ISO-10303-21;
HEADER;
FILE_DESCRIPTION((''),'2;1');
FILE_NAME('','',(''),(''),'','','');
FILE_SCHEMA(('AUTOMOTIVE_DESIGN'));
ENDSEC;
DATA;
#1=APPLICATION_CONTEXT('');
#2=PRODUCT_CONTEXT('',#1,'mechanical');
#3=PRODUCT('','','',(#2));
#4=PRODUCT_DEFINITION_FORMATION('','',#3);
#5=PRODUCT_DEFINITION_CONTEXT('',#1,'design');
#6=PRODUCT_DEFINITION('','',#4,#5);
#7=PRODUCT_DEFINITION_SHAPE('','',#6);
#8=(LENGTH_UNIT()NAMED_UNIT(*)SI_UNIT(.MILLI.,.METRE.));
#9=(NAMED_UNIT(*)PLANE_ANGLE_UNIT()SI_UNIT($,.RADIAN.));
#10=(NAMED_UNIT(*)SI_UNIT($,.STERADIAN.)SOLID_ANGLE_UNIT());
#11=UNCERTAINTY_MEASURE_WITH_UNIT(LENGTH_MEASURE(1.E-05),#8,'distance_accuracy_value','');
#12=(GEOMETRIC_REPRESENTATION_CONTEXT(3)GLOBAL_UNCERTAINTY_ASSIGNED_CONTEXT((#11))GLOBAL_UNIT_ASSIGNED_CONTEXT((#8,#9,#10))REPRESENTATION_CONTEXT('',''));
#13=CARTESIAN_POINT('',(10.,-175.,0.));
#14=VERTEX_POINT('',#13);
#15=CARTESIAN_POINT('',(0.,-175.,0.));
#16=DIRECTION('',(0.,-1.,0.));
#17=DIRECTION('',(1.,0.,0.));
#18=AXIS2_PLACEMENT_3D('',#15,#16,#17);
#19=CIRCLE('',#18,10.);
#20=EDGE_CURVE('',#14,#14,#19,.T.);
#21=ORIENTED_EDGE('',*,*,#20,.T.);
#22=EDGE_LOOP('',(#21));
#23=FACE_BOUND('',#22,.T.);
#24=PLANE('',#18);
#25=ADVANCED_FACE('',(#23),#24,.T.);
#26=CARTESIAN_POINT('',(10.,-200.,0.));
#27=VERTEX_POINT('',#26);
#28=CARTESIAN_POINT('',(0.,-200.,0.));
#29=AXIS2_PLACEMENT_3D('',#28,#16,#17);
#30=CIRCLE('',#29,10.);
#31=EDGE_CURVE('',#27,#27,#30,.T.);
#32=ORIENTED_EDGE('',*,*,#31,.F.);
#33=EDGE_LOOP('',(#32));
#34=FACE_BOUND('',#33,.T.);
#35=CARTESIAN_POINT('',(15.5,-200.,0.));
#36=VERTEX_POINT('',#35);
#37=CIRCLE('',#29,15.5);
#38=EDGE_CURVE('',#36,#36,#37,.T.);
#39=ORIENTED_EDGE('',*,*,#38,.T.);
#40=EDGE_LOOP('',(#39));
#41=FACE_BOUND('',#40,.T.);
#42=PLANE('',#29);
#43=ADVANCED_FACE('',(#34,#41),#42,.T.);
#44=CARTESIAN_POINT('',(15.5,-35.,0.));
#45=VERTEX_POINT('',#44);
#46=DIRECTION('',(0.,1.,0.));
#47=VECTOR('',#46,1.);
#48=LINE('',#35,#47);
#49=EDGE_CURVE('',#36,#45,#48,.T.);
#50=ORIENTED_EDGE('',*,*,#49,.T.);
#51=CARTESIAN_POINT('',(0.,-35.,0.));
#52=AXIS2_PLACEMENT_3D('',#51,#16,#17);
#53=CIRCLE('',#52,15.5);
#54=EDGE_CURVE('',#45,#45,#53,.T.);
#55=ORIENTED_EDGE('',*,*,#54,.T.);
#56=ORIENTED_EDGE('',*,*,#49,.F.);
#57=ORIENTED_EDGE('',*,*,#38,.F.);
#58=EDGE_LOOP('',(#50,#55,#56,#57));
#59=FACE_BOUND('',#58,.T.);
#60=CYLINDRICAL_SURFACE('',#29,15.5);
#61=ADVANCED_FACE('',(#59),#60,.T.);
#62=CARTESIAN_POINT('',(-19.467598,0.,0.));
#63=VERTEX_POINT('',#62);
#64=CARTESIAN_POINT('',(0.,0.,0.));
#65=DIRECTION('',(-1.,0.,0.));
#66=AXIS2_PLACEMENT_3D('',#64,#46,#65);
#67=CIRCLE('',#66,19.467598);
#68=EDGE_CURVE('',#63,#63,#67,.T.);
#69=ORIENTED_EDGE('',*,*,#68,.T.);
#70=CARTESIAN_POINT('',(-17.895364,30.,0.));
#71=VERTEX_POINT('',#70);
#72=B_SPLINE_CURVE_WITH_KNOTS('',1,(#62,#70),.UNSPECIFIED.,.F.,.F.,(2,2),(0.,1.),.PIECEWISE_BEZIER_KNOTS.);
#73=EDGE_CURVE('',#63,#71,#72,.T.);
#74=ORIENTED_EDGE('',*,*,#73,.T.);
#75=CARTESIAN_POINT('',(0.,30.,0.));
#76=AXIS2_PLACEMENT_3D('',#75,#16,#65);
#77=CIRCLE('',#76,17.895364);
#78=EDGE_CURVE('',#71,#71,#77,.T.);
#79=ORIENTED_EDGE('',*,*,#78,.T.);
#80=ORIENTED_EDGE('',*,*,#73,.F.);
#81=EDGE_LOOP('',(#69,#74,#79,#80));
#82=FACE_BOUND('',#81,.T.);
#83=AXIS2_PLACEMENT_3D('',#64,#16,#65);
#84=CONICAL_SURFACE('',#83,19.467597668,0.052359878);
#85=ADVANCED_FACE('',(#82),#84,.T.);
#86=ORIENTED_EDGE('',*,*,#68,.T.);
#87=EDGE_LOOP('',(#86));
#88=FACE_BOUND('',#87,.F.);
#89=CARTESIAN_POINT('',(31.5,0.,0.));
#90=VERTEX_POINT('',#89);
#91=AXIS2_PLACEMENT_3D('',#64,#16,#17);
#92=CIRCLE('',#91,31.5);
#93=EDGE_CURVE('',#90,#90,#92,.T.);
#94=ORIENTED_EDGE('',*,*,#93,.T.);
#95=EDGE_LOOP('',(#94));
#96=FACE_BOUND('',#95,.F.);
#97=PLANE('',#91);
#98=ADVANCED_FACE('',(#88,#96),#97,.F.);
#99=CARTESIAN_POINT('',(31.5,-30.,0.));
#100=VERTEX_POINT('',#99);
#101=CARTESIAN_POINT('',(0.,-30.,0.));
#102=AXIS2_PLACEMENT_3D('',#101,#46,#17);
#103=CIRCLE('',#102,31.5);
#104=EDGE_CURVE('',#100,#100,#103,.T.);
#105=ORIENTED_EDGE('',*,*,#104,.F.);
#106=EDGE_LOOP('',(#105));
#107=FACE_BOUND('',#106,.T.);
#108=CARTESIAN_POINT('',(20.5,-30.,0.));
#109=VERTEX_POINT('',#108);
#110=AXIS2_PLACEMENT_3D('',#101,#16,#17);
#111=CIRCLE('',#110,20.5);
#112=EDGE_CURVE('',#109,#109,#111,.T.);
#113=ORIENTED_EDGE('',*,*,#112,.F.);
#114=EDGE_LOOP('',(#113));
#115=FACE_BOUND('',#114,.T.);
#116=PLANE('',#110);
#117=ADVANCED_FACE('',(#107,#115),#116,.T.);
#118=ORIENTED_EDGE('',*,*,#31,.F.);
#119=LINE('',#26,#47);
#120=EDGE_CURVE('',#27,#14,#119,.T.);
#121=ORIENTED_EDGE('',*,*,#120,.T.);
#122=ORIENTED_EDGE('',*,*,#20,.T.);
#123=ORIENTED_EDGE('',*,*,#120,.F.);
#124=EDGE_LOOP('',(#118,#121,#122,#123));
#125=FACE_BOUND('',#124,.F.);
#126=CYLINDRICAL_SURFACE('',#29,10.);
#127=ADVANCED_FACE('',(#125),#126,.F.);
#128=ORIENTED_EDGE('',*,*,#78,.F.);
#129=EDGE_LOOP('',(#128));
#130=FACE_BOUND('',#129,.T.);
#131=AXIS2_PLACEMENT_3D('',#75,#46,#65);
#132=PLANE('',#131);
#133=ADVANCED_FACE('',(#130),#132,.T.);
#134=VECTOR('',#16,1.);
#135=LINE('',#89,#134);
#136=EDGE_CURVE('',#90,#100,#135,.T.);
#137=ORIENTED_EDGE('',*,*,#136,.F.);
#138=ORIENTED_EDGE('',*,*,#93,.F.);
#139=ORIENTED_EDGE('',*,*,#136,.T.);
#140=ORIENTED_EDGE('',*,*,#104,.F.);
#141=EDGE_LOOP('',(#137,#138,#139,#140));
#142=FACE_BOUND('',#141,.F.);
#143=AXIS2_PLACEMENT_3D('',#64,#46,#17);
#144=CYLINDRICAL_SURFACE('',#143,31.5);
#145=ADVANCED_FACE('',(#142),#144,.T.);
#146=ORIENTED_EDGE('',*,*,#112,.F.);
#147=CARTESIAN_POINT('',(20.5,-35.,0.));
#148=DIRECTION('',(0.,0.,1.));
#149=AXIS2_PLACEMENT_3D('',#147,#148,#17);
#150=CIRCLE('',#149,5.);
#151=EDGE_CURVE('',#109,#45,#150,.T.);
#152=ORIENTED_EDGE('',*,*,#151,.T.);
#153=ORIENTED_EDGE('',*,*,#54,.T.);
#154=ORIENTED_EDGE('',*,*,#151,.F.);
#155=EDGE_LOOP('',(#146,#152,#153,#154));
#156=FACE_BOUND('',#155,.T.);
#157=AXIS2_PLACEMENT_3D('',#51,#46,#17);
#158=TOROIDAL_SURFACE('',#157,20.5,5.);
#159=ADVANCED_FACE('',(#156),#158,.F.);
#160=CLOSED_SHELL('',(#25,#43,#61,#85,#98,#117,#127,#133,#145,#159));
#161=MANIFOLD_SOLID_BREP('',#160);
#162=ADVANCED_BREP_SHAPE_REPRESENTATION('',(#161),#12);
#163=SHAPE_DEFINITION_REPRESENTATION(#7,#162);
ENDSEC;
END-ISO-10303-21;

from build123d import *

# Parameters (mm, degrees)
F0_R     = 31.5
F1_DEPTH = 200
F2_R     = 49.4625151614
F2_R_2   = 15.5
F3_DEPTH = 170
F4_R     = 5
F5_R     = 19.4675976679
F6_DEPTH = 30
F6_TAPER = 3
F7_R     = 10
F8_DEPTH = 25


with BuildPart() as f1:
    # F0 (on Front) → F1 (new body)
    with BuildSketch(Plane.XZ):
        Circle(F0_R)
    extrude(amount=F1_DEPTH)

    # F2 (on face) → F3 (cut)
    with BuildSketch(Plane.XZ.offset(200)):
        Circle(F2_R)
        Circle(F2_R_2, mode=Mode.SUBTRACT)
    extrude(amount=-F3_DEPTH, mode=Mode.SUBTRACT)

    # F4
    f4_edges = [f1.edges().sort_by_distance(p)[0] for p in [
        (-15.5, -30, 0),
    ]]
    fillet(f4_edges, radius=F4_R)

    # F5 (on face) → F6 (join)
    with BuildSketch(Plane(origin=(0, 0, 0), x_dir=(-1, 0, 0), z_dir=(0, 1, 0))):
        Circle(F5_R)
    extrude(amount=F6_DEPTH, taper=F6_TAPER)

    # F7 (on face) → F8 (cut)
    with BuildSketch(Plane.XZ.offset(200)):
        Circle(F7_R)
    extrude(amount=-F8_DEPTH, mode=Mode.SUBTRACT)


solid = f1.part
